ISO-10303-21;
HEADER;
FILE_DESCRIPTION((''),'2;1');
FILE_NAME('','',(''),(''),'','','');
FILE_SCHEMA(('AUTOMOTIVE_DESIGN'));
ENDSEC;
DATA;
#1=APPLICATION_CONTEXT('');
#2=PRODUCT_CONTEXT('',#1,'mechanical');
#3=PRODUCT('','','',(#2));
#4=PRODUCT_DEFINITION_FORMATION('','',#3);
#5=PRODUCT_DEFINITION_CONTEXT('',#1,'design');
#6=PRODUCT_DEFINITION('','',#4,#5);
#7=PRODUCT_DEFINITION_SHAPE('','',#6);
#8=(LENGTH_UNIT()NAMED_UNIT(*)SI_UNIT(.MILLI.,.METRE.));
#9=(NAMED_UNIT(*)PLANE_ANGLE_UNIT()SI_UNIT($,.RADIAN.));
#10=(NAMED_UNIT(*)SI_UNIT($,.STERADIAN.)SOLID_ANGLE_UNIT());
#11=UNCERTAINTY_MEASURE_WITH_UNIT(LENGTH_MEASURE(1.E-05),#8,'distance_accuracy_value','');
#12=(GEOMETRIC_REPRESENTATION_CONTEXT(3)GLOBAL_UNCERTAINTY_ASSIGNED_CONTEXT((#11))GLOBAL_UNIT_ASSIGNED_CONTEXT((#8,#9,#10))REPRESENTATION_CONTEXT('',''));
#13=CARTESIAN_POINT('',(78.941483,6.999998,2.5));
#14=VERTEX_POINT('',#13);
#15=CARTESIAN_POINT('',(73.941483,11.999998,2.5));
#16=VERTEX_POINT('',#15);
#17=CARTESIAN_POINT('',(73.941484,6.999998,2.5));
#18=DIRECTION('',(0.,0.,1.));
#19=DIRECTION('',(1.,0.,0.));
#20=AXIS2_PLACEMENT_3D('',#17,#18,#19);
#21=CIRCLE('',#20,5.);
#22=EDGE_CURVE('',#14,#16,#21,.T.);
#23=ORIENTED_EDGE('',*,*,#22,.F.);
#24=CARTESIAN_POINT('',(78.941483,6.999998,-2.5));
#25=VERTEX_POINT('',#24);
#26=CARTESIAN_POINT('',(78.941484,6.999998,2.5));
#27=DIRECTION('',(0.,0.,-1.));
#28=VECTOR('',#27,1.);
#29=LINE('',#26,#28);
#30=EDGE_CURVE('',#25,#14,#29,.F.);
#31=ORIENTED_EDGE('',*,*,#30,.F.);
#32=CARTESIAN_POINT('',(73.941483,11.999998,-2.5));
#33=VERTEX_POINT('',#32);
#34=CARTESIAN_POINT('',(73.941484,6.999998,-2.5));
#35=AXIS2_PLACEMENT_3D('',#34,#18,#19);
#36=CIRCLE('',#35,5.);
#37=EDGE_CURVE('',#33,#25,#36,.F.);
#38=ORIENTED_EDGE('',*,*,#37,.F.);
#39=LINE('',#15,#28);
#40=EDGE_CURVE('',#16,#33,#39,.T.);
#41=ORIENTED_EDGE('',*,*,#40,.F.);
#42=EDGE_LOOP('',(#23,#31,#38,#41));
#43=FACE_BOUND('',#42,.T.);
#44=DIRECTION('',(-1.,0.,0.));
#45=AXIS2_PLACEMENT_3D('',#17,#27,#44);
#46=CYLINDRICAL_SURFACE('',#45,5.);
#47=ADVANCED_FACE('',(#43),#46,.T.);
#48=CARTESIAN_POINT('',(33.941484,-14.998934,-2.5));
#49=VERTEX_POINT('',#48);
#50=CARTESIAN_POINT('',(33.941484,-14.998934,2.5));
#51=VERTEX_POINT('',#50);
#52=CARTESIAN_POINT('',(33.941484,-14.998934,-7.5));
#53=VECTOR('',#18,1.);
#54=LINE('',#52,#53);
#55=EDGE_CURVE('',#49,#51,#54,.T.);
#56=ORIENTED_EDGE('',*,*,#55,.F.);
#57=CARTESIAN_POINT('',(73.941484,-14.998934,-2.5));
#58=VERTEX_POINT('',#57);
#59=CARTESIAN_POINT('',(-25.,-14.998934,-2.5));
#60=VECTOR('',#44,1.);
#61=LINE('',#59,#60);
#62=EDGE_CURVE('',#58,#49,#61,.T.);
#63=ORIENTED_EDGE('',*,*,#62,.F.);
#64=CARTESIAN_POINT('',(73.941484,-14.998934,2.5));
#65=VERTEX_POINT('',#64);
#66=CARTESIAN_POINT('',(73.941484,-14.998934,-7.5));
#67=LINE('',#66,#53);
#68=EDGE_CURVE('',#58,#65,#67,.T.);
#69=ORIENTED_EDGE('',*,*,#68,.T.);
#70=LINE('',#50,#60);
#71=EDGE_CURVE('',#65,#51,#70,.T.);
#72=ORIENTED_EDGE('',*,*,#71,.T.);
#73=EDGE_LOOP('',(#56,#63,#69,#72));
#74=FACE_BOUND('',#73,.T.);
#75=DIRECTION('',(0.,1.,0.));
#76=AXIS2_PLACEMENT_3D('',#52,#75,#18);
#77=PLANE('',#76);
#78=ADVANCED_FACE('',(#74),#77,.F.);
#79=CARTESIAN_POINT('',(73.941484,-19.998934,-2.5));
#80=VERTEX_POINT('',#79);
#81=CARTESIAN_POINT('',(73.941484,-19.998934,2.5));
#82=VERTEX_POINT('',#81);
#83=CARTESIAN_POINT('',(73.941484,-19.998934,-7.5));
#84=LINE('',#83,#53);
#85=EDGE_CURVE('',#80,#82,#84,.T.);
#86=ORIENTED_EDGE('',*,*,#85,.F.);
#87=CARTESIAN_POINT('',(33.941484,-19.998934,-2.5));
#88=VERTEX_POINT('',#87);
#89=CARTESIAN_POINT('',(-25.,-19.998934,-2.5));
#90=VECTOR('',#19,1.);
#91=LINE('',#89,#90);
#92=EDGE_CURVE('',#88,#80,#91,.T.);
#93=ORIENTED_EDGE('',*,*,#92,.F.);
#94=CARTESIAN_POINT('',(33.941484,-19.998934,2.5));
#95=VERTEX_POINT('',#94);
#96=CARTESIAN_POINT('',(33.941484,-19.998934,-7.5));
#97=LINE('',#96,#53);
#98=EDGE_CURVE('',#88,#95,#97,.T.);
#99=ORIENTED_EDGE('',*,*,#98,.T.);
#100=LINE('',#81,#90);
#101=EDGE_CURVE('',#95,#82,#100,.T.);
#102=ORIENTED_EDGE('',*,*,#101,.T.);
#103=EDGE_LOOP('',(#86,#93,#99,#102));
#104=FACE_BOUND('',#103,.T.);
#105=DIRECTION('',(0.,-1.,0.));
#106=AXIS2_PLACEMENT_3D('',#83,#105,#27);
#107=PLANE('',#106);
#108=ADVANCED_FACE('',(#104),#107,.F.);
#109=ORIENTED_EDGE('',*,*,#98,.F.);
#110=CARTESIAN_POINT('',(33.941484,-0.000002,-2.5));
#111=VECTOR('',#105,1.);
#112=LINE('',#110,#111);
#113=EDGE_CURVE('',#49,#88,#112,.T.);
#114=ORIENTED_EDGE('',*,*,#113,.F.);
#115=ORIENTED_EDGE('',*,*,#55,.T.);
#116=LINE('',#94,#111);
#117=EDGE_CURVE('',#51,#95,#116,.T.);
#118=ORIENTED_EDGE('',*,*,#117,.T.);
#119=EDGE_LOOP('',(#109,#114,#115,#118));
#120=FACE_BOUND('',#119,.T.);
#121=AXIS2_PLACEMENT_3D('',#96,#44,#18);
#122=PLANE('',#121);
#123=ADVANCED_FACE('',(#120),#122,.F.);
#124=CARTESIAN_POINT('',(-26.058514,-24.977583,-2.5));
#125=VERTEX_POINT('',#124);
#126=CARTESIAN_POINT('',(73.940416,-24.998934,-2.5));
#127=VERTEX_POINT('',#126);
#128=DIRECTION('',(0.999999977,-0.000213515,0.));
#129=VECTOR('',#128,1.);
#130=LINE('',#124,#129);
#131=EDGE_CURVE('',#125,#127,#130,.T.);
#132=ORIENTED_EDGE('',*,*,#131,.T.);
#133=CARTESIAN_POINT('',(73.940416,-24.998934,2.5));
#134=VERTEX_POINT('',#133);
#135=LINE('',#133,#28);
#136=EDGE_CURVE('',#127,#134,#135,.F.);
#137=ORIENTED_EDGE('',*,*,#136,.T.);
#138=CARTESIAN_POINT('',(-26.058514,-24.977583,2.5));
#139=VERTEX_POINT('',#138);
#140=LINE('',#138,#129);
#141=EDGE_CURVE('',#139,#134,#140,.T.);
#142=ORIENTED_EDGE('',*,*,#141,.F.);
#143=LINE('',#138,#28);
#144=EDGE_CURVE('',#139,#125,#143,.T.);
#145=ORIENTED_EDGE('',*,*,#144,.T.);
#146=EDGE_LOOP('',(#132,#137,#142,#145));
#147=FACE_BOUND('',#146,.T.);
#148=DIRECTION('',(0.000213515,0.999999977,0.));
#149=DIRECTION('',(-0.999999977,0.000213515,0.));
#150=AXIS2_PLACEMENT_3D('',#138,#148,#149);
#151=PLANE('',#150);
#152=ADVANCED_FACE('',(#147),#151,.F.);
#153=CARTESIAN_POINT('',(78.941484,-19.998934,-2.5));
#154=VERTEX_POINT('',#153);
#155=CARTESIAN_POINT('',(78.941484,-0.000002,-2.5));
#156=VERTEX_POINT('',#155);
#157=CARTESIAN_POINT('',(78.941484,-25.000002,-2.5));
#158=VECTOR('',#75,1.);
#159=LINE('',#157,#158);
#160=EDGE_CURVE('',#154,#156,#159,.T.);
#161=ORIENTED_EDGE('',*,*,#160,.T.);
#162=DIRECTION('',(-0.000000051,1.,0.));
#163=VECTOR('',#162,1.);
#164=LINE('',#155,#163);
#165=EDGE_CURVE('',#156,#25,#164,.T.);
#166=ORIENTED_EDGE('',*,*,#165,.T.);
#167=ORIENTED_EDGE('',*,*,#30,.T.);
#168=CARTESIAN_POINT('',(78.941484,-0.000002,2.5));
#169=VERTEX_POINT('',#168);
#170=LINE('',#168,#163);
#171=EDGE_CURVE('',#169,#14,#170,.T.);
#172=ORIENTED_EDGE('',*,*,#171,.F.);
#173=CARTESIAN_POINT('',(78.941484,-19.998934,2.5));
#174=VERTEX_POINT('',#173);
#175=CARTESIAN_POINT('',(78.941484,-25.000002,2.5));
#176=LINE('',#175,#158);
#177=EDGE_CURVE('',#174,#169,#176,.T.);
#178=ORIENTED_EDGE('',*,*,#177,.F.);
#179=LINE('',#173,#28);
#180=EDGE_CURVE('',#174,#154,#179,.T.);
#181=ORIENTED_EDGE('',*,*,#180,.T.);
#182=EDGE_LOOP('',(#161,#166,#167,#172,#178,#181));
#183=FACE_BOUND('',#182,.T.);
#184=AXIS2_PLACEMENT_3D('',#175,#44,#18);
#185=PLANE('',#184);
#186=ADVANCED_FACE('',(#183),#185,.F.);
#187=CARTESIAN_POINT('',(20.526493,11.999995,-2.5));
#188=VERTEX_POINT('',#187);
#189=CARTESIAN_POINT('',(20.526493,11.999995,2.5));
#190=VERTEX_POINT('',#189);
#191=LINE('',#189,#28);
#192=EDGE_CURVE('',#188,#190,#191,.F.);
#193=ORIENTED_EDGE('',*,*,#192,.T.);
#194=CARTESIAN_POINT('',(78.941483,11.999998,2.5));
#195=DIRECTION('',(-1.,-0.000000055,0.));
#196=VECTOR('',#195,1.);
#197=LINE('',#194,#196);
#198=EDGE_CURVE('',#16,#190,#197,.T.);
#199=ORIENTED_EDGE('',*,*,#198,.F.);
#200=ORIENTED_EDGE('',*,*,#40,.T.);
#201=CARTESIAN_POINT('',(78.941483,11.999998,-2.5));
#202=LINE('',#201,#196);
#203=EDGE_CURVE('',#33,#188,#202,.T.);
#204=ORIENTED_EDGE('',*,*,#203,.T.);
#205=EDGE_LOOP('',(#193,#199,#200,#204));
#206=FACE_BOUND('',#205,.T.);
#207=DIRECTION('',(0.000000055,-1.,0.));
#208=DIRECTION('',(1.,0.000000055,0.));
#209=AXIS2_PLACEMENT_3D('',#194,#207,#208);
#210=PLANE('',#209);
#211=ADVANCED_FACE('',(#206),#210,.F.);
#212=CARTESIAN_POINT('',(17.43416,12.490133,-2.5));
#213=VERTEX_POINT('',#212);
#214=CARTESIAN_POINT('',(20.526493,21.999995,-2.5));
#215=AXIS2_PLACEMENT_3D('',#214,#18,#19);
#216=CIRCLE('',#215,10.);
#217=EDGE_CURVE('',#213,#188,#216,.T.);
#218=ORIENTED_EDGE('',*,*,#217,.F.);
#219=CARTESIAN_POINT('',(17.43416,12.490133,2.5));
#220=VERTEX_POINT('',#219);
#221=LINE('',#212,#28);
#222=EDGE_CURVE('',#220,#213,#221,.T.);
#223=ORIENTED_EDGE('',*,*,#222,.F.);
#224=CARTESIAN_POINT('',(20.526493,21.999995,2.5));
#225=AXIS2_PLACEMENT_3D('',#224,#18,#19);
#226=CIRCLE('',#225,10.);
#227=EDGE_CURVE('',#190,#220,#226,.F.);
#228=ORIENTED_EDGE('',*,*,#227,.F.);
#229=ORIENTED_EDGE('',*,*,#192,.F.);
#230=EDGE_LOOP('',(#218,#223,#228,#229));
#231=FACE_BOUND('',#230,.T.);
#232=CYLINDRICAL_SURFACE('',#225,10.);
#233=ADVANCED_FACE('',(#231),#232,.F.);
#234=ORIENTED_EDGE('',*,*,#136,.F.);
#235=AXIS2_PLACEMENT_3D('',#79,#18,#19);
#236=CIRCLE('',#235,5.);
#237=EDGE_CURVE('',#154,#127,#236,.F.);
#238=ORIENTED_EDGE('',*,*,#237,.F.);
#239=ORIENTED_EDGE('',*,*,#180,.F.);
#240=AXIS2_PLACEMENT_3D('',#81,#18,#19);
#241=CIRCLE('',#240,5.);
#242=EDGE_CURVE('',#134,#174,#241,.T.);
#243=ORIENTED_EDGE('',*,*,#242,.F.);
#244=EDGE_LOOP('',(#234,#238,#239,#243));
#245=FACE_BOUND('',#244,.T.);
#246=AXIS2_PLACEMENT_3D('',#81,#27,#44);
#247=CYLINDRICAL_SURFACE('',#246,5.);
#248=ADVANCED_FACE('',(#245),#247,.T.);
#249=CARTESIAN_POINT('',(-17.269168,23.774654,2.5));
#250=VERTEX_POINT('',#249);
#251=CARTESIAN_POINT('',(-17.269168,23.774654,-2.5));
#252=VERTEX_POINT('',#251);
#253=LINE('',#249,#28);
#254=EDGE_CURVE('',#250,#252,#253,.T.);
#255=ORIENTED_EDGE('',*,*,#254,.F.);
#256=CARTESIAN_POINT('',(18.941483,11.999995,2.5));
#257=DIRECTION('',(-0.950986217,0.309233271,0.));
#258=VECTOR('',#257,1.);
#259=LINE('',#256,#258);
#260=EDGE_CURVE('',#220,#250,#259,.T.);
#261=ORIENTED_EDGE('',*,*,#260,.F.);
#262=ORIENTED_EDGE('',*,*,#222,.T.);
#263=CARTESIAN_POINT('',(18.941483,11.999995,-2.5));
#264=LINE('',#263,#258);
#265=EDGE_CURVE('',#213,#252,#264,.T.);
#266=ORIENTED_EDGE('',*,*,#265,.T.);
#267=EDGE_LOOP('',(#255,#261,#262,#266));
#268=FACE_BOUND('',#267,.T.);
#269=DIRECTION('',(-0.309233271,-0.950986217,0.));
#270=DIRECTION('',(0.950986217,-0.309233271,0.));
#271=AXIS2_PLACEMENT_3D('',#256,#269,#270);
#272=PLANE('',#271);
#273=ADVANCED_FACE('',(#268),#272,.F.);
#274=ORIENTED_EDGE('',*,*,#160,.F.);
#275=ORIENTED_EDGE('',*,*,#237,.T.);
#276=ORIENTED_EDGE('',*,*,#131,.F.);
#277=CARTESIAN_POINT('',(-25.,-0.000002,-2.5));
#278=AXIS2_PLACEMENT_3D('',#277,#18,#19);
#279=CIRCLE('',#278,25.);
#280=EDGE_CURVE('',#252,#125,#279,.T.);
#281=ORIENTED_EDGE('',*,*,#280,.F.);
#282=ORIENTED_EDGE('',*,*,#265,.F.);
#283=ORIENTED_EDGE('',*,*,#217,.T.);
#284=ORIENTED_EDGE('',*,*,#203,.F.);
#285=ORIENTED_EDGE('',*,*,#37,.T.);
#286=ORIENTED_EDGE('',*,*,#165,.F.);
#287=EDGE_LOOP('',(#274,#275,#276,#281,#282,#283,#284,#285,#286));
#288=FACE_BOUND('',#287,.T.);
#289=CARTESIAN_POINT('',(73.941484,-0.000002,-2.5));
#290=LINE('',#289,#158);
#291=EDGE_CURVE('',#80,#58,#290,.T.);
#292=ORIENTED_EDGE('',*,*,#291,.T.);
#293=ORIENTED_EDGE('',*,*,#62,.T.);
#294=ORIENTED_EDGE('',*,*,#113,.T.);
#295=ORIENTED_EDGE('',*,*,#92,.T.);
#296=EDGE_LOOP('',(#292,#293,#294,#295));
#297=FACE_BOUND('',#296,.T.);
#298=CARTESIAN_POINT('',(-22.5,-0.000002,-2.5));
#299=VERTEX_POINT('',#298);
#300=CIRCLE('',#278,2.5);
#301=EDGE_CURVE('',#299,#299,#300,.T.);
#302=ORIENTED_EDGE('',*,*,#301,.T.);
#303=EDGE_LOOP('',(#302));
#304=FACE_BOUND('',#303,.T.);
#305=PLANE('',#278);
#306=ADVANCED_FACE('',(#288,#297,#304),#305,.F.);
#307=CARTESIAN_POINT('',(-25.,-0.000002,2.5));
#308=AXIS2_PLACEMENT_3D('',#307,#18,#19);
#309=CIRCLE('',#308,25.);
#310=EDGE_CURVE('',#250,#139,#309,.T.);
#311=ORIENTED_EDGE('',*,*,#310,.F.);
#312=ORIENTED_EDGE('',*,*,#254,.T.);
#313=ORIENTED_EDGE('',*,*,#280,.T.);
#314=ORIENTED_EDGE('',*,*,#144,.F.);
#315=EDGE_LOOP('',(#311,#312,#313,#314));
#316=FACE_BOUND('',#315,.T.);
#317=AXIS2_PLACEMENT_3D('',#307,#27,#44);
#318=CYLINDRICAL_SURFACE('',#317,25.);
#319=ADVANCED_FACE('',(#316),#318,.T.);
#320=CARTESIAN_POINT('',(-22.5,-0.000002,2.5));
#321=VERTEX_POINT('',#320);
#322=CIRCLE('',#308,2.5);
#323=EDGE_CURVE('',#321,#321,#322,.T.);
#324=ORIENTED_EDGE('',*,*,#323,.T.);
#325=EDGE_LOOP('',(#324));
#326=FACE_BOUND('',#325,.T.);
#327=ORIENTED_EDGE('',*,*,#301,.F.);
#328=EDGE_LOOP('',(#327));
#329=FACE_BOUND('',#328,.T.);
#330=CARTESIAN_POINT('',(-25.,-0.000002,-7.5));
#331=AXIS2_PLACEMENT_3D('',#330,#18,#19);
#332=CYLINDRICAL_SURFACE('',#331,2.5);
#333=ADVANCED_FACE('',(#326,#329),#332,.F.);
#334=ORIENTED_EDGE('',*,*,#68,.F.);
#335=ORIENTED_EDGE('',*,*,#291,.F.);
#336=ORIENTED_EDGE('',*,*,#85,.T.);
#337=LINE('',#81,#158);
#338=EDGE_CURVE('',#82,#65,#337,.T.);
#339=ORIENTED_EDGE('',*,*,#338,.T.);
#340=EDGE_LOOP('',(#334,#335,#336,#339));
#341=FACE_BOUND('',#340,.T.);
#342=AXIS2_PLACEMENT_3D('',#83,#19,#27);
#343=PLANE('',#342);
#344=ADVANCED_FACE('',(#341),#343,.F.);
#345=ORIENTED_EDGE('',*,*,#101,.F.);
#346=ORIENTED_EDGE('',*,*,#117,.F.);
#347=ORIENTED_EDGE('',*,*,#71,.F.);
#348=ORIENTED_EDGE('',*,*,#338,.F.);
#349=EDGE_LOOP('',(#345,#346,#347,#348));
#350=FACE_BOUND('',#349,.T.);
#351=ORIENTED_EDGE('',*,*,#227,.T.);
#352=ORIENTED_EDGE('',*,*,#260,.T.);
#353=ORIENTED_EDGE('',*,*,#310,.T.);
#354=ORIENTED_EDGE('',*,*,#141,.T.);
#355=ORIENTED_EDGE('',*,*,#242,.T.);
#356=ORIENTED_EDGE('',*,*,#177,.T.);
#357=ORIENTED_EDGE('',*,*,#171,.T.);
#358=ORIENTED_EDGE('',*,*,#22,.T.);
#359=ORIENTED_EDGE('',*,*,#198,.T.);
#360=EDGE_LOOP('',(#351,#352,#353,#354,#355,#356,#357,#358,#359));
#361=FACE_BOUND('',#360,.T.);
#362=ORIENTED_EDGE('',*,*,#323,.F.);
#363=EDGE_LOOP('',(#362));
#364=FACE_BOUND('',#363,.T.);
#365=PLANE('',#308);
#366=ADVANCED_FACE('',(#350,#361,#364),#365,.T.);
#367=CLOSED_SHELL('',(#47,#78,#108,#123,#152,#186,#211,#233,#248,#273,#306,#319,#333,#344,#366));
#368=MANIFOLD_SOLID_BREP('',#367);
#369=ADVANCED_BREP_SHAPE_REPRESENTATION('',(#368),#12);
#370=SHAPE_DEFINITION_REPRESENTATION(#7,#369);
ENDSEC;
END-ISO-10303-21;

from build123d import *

# Parameters (mm, degrees)
EXTRUIR1_DEPTH = 2.5
REDONDEO1_R    = 10
CROQUIS2_R     = 2.5
EXTRUIR2_DEPTH = 10
REDONDEO2_R    = 5
CROQUIS4_W     = 40
CROQUIS4_H     = 5
EXTRUIR3_DEPTH = 10


with BuildPart() as part:
    # Croquis1 → Extruir1 (new, symmetric)
    with BuildSketch(Plane.XY):
        with BuildLine():
            Line((78.941483087, 11.999998301), (18.941483087, 11.999994988))
            Line((18.941483087, 11.999994988), (-17.269168309, 23.774653719))
            ThreePointArc((-17.269168309, 23.774653719), (-49.603355409, 4.435638782), (-26.058513909, -24.977582614))
            Line((-26.058513909, -24.977582614), (78.941483697, -25.000001699))
            Line((78.941483697, -25.000001699), (78.941483697, -1.699e-06))
            Line((78.941483697, -1.699e-06), (78.941483087, 11.999998301))
        make_face()
    extrude(amount=EXTRUIR1_DEPTH, both=True)

    # Redondeo1
    redondeo1_edges = [part.edges().sort_by_distance(p)[0] for p in [
        (18.941483087, 11.999994988, 0),
    ]]
    fillet(redondeo1_edges, radius=REDONDEO1_R)

    # Croquis2 → Extruir2 (cut)
    with BuildSketch(Plane.XY.offset(2.5)):
        with Locations((-25.000000078, -1.697e-06)):
            Circle(CROQUIS2_R)
    extrude(amount=-EXTRUIR2_DEPTH, mode=Mode.SUBTRACT)

    # Redondeo2
    redondeo2_edges = [part.edges().sort_by_distance(p)[0] for p in [
        (78.941483697, -25.000001699, 0),
        (78.941483087, 11.999998301, 0),
    ]]
    fillet(redondeo2_edges, radius=REDONDEO2_R)

    # Croquis4 → Extruir3 (cut)
    with BuildSketch(Plane.XY.offset(2.5)):
        with Locations((53.941483697, -17.498934009)):
            Rectangle(CROQUIS4_W, CROQUIS4_H)
    extrude(amount=-EXTRUIR3_DEPTH, mode=Mode.SUBTRACT)


solid = part.part
